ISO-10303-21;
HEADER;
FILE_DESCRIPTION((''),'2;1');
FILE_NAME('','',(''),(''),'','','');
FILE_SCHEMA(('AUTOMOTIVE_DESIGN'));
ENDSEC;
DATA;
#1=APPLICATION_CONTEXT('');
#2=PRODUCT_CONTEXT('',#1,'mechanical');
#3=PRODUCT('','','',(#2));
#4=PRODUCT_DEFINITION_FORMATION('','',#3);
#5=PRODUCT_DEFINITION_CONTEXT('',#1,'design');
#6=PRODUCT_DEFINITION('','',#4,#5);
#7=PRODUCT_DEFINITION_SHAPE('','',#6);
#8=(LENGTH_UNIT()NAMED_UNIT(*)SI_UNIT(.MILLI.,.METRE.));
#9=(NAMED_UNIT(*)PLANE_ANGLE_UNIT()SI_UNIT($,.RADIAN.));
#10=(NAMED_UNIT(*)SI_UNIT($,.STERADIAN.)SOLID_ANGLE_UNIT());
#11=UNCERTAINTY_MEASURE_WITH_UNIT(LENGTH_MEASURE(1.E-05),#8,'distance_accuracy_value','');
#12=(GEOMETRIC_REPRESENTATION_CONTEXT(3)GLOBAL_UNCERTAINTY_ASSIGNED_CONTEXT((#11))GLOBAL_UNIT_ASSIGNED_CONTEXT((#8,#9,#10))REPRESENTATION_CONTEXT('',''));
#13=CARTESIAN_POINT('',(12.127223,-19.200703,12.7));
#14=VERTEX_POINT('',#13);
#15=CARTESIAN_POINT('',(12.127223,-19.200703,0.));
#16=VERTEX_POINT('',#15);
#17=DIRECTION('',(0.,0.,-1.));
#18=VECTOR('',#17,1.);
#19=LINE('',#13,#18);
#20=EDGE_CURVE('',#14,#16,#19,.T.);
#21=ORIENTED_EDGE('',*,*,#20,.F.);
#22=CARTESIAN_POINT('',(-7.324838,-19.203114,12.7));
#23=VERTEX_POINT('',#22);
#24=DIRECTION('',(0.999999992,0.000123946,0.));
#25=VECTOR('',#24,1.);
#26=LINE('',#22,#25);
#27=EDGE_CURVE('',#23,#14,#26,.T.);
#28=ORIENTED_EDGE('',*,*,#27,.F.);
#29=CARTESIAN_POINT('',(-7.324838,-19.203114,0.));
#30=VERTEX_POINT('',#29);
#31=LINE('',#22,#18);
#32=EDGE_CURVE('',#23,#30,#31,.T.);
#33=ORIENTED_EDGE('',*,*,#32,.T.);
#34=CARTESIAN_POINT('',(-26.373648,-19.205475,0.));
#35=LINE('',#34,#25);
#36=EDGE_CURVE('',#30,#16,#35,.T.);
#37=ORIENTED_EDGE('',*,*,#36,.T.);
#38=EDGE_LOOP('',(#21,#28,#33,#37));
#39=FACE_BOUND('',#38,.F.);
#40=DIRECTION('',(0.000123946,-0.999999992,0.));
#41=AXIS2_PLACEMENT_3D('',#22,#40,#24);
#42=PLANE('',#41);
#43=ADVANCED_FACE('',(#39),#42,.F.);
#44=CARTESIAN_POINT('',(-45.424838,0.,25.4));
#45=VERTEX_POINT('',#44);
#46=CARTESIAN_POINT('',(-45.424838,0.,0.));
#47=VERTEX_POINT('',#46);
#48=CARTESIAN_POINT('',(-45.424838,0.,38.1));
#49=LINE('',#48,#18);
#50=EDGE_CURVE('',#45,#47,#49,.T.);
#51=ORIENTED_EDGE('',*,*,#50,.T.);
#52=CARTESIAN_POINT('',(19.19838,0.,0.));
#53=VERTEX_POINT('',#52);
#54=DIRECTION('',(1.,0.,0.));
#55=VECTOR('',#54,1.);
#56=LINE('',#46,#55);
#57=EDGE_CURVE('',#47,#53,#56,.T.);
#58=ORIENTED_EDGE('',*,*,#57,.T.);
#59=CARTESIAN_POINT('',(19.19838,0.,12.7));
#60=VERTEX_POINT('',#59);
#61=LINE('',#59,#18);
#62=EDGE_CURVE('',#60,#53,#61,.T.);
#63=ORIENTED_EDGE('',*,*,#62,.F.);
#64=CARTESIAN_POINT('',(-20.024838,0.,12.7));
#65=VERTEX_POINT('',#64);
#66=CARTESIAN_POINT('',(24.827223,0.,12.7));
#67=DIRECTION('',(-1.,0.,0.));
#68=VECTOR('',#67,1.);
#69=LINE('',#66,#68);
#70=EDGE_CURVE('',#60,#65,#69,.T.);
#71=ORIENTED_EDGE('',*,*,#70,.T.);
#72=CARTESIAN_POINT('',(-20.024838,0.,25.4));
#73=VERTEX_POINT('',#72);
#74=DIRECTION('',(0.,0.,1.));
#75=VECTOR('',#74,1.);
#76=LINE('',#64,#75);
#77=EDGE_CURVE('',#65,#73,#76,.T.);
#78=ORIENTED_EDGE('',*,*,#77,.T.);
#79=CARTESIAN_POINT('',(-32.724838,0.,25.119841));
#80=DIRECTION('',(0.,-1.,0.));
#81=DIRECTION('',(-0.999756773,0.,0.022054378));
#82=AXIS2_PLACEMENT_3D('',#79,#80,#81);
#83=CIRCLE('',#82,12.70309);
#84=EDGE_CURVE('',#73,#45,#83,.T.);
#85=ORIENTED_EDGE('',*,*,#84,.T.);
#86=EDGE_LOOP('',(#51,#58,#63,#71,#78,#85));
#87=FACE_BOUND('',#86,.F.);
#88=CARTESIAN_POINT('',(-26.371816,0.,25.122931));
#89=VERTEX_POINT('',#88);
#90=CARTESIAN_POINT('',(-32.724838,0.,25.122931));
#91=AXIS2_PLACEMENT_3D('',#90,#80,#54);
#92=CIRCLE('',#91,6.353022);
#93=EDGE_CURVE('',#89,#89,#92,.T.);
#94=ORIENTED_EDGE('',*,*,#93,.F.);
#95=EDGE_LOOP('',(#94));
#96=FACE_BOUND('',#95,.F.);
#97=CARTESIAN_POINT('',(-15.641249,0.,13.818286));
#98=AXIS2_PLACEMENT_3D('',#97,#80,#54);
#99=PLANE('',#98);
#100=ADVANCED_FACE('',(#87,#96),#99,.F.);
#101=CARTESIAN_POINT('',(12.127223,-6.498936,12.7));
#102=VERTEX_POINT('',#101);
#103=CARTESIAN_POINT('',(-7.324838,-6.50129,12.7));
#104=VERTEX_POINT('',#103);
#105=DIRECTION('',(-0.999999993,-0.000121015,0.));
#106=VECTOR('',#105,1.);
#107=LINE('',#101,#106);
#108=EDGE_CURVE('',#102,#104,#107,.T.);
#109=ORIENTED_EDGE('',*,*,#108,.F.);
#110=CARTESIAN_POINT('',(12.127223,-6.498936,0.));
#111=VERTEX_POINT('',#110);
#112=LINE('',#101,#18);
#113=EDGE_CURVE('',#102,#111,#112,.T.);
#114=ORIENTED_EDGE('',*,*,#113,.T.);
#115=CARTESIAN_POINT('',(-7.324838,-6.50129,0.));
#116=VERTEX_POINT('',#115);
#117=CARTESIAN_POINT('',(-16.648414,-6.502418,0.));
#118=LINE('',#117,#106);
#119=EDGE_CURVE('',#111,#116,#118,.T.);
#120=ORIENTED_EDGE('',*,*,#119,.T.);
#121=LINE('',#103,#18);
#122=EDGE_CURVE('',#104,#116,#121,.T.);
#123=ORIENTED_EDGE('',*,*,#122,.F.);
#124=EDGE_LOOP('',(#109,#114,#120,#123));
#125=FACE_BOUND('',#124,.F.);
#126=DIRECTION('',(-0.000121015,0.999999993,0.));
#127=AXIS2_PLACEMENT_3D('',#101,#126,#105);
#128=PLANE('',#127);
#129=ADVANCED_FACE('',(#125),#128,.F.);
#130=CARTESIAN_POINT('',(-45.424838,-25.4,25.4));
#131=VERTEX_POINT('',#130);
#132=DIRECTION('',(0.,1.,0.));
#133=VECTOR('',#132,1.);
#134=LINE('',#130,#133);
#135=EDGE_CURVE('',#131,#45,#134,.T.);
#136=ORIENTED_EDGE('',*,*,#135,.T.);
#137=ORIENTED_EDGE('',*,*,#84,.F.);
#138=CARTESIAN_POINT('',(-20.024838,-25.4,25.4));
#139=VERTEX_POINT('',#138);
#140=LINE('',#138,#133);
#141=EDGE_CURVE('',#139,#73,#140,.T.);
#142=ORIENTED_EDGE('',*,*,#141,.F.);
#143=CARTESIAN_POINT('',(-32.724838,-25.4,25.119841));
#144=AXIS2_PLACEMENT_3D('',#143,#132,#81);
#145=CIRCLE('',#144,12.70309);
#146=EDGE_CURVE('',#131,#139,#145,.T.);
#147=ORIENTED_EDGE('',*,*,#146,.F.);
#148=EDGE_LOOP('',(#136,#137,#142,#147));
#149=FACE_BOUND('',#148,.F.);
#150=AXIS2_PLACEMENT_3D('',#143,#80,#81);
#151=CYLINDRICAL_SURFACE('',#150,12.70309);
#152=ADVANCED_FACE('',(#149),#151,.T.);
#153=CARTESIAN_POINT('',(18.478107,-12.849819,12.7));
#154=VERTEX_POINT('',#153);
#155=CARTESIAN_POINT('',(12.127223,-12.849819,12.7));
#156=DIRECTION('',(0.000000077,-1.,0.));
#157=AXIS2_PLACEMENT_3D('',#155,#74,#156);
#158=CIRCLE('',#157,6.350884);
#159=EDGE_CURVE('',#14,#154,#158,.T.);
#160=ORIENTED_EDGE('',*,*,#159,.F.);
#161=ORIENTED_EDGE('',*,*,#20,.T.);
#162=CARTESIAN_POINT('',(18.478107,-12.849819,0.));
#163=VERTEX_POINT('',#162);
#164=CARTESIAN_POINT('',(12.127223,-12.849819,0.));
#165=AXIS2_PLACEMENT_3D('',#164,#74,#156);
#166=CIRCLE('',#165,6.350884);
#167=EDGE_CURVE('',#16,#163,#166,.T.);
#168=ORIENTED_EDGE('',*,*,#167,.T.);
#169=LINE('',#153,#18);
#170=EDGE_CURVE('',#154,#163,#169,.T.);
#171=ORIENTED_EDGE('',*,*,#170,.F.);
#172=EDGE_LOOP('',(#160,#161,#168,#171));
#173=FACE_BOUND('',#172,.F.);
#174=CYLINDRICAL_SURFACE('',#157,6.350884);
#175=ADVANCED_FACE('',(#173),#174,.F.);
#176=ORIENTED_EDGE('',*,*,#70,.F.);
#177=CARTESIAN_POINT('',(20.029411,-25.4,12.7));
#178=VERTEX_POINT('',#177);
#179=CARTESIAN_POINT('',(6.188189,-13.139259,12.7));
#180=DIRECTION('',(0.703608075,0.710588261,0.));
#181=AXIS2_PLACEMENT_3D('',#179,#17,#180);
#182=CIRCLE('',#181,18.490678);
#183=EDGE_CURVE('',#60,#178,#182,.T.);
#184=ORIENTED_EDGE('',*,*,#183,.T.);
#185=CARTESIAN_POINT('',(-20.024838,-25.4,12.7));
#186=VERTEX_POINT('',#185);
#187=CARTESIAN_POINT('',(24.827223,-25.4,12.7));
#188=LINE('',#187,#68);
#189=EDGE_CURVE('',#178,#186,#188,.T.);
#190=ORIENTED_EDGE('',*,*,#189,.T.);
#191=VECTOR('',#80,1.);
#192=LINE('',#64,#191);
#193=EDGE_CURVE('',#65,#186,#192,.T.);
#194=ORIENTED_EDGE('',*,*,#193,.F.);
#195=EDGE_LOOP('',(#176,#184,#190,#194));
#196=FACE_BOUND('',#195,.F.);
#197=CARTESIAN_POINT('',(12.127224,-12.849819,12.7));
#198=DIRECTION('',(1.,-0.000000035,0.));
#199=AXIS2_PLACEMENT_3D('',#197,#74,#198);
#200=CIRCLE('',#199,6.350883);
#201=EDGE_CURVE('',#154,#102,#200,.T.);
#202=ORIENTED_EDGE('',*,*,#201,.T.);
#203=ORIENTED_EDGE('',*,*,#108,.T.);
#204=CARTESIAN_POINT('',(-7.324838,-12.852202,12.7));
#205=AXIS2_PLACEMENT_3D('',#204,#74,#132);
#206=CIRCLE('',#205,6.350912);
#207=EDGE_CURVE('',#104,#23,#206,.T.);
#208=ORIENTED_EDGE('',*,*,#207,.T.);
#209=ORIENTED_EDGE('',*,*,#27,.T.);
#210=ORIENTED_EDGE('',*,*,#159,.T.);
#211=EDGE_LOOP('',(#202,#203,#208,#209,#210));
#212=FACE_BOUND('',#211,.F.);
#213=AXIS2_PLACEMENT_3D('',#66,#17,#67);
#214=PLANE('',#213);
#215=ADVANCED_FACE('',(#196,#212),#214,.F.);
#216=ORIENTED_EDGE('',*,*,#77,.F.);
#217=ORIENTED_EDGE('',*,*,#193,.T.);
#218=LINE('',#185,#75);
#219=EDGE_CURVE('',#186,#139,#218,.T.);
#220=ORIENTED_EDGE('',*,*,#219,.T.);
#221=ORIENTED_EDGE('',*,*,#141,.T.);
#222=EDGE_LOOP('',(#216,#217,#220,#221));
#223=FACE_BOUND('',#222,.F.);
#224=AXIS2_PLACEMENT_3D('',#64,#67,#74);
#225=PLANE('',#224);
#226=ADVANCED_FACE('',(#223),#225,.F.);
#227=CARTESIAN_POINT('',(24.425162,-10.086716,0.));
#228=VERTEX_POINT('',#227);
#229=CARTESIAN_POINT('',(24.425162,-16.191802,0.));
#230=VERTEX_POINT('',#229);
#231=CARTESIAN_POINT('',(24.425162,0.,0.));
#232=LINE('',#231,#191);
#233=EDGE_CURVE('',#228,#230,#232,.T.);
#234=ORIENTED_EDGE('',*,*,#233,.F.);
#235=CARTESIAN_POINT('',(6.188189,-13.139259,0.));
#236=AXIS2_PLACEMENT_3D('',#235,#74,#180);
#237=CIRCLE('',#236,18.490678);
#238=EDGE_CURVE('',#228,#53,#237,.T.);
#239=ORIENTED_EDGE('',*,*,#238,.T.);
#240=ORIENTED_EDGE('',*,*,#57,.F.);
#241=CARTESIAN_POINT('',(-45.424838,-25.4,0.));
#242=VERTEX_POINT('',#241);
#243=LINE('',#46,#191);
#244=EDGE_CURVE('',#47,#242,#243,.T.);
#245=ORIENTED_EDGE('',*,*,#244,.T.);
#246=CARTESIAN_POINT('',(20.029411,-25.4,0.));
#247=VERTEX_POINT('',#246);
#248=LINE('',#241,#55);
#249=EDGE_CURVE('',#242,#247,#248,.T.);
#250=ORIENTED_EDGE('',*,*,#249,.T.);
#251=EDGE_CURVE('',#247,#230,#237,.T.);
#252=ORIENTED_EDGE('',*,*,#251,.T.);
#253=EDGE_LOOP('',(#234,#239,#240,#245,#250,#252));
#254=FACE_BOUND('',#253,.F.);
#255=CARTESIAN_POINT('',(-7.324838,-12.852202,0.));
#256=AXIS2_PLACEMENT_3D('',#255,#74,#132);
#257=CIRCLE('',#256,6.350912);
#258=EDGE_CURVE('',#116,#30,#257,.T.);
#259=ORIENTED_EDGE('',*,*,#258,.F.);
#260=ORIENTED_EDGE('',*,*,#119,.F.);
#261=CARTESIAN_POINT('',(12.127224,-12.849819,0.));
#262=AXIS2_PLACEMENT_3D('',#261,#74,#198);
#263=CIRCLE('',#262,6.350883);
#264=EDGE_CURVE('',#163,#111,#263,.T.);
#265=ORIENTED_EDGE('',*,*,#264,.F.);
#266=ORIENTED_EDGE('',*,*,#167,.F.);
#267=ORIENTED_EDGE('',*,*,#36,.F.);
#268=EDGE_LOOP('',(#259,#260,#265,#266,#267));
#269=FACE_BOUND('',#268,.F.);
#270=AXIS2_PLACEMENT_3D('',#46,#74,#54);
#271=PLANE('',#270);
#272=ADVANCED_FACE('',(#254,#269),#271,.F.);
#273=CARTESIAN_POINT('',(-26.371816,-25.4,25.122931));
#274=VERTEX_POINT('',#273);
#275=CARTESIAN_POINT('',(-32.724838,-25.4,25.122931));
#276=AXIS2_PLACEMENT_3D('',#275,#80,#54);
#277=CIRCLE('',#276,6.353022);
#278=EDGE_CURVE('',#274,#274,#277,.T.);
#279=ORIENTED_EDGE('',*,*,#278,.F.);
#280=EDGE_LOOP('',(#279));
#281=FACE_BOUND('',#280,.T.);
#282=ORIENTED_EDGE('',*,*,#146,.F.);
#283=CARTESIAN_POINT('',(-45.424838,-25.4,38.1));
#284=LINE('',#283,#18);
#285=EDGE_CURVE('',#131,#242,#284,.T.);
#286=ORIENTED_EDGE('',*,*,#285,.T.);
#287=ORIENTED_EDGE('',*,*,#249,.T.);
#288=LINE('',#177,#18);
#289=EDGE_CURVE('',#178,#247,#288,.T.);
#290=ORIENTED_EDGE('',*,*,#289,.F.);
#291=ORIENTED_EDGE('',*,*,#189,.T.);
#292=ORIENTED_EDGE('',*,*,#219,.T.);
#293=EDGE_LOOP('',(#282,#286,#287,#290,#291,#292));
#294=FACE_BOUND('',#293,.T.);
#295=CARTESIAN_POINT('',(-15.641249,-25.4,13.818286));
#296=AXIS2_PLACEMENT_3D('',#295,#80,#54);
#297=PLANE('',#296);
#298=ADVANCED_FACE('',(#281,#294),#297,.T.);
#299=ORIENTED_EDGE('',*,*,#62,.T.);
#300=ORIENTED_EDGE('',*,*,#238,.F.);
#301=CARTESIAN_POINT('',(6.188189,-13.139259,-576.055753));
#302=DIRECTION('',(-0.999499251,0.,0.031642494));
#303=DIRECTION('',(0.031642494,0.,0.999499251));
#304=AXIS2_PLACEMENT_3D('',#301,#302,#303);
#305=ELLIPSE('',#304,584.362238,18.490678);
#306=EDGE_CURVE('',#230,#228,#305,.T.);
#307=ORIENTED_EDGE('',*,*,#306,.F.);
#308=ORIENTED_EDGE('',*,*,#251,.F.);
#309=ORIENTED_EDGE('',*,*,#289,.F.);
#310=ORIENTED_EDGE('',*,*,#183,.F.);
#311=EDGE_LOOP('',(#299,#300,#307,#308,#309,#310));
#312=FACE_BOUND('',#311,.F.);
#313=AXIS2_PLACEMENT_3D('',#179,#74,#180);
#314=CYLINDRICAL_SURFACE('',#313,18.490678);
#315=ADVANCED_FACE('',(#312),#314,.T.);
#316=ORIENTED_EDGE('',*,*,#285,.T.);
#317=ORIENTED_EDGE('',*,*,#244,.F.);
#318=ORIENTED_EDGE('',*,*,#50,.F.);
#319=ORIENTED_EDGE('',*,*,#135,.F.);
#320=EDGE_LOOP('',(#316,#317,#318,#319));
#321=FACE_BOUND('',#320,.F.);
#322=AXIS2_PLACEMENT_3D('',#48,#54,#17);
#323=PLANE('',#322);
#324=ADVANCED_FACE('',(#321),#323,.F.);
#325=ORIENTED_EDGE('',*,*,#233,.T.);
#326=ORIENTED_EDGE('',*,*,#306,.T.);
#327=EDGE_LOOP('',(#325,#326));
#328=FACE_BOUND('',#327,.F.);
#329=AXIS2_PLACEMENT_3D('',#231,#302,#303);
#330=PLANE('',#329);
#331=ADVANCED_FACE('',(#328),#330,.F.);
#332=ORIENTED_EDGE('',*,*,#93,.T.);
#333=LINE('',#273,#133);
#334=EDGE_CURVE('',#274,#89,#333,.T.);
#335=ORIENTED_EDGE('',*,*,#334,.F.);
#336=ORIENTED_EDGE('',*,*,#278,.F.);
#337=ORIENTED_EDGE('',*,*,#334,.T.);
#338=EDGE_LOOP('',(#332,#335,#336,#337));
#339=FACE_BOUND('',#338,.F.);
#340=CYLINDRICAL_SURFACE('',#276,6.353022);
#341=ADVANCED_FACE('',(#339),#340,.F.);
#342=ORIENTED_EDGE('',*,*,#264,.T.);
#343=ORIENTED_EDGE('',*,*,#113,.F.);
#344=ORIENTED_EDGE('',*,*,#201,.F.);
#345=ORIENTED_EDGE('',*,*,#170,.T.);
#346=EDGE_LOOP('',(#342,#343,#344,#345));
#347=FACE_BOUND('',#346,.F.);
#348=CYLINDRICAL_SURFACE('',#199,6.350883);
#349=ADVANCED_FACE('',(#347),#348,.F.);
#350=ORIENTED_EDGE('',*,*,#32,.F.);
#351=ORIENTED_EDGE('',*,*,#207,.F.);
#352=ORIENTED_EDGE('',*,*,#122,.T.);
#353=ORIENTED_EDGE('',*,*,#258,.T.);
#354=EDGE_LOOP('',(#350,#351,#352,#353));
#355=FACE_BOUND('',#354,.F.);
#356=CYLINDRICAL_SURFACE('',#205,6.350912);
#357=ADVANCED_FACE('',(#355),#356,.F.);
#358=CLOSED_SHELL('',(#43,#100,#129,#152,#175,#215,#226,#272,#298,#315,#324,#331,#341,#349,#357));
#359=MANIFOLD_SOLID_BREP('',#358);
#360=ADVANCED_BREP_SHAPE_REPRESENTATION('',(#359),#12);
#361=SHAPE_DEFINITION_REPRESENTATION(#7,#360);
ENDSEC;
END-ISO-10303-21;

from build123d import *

# Parameters (mm, degrees)
F1_DEPTH = 25.4
F3_DEPTH = 25.401
F4_R     = 6.353022
F5_DEPTH = 25.401
F8_DEPTH = 25.4
F9_DEPTH = 25.4


with BuildPart() as f1:
    # F0 (on Front) → F1 (new body)
    with BuildSketch(Plane.XZ):
        Polygon((-20.024838, 38.1), (-45.424838, 38.1), (-45.424838, 0), (24.425162, 0), (24.827223, 12.7), (-20.024838, 12.7), align=None)
    extrude(amount=F1_DEPTH)

    # F2 (on face) → F3 (cut, through all)
    with BuildSketch(Plane.XZ.offset(25.4)):
        with BuildLine():
            ThreePointArc((-45.424838, 25.4), (-32.724838, 37.822931), (-20.024838, 25.4))
            Line((-20.024838, 25.4), (-20.024838, 38.1))
            Line((-20.024838, 38.1), (-45.424838, 38.1))
            Line((-45.424838, 38.1), (-45.424838, 25.4))
        make_face()
    extrude(amount=-F3_DEPTH, mode=Mode.SUBTRACT)

    # F4 (on face) → F5 (cut, through all)
    with BuildSketch(Plane.XZ.offset(25.4)):
        with Locations((-32.724838, 25.122931)):
            Circle(F4_R)
    extrude(amount=-F5_DEPTH, mode=Mode.SUBTRACT)

    # F7 (on face) → F8 (cut)
    with BuildSketch(Plane.XY.offset(12.7)):
        with BuildLine():
            ThreePointArc((-7.324838, -19.203114), (-2.834065, -17.342975), (-0.973926, -12.852202))
            ThreePointArc((-0.973926, -12.852202), (-2.834065, -8.361429), (-7.324838, -6.50129))
            ThreePointArc((-7.324838, -6.50129), (-13.67575, -12.852202), (-7.324838, -19.203114))
        make_face()
        with BuildLine():
            ThreePointArc((-7.324838, -6.50129), (-2.834065, -8.361429), (-0.973926, -12.852202))
            ThreePointArc((-0.973926, -12.852202), (-2.834065, -17.342975), (-7.324838, -19.203114))
            Line((-7.324838, -19.203114), (12.127223, -19.200703))
            ThreePointArc((12.127223, -19.200703), (5.77634, -12.849819), (12.127223, -6.498936))
            Line((12.127223, -6.498936), (-7.324838, -6.50129))
        make_face()
        with BuildLine():
            ThreePointArc((18.478107, -12.849819), (16.617976, -8.359066), (12.127223, -6.498936))
            ThreePointArc((12.127223, -6.498936), (5.77634, -12.849819), (12.127223, -19.200703))
            ThreePointArc((12.127223, -19.200703), (16.617976, -17.340572), (18.478107, -12.849819))
        make_face()
    extrude(amount=-F8_DEPTH, mode=Mode.SUBTRACT)

    # F7 (on face) → F9 (cut)
    with BuildSketch(Plane.XY.offset(12.7)):
        with BuildLine():
            ThreePointArc((19.19838, 0), (24.668979, -12.534609), (20.029411, -25.4))
            Line((20.029411, -25.4), (24.827223, -25.4))
            Line((24.827223, -25.4), (24.827223, 0))
            Line((24.827223, 0), (19.19838, 0))
        make_face()
    extrude(amount=-F9_DEPTH, mode=Mode.SUBTRACT)


solid = f1.part
